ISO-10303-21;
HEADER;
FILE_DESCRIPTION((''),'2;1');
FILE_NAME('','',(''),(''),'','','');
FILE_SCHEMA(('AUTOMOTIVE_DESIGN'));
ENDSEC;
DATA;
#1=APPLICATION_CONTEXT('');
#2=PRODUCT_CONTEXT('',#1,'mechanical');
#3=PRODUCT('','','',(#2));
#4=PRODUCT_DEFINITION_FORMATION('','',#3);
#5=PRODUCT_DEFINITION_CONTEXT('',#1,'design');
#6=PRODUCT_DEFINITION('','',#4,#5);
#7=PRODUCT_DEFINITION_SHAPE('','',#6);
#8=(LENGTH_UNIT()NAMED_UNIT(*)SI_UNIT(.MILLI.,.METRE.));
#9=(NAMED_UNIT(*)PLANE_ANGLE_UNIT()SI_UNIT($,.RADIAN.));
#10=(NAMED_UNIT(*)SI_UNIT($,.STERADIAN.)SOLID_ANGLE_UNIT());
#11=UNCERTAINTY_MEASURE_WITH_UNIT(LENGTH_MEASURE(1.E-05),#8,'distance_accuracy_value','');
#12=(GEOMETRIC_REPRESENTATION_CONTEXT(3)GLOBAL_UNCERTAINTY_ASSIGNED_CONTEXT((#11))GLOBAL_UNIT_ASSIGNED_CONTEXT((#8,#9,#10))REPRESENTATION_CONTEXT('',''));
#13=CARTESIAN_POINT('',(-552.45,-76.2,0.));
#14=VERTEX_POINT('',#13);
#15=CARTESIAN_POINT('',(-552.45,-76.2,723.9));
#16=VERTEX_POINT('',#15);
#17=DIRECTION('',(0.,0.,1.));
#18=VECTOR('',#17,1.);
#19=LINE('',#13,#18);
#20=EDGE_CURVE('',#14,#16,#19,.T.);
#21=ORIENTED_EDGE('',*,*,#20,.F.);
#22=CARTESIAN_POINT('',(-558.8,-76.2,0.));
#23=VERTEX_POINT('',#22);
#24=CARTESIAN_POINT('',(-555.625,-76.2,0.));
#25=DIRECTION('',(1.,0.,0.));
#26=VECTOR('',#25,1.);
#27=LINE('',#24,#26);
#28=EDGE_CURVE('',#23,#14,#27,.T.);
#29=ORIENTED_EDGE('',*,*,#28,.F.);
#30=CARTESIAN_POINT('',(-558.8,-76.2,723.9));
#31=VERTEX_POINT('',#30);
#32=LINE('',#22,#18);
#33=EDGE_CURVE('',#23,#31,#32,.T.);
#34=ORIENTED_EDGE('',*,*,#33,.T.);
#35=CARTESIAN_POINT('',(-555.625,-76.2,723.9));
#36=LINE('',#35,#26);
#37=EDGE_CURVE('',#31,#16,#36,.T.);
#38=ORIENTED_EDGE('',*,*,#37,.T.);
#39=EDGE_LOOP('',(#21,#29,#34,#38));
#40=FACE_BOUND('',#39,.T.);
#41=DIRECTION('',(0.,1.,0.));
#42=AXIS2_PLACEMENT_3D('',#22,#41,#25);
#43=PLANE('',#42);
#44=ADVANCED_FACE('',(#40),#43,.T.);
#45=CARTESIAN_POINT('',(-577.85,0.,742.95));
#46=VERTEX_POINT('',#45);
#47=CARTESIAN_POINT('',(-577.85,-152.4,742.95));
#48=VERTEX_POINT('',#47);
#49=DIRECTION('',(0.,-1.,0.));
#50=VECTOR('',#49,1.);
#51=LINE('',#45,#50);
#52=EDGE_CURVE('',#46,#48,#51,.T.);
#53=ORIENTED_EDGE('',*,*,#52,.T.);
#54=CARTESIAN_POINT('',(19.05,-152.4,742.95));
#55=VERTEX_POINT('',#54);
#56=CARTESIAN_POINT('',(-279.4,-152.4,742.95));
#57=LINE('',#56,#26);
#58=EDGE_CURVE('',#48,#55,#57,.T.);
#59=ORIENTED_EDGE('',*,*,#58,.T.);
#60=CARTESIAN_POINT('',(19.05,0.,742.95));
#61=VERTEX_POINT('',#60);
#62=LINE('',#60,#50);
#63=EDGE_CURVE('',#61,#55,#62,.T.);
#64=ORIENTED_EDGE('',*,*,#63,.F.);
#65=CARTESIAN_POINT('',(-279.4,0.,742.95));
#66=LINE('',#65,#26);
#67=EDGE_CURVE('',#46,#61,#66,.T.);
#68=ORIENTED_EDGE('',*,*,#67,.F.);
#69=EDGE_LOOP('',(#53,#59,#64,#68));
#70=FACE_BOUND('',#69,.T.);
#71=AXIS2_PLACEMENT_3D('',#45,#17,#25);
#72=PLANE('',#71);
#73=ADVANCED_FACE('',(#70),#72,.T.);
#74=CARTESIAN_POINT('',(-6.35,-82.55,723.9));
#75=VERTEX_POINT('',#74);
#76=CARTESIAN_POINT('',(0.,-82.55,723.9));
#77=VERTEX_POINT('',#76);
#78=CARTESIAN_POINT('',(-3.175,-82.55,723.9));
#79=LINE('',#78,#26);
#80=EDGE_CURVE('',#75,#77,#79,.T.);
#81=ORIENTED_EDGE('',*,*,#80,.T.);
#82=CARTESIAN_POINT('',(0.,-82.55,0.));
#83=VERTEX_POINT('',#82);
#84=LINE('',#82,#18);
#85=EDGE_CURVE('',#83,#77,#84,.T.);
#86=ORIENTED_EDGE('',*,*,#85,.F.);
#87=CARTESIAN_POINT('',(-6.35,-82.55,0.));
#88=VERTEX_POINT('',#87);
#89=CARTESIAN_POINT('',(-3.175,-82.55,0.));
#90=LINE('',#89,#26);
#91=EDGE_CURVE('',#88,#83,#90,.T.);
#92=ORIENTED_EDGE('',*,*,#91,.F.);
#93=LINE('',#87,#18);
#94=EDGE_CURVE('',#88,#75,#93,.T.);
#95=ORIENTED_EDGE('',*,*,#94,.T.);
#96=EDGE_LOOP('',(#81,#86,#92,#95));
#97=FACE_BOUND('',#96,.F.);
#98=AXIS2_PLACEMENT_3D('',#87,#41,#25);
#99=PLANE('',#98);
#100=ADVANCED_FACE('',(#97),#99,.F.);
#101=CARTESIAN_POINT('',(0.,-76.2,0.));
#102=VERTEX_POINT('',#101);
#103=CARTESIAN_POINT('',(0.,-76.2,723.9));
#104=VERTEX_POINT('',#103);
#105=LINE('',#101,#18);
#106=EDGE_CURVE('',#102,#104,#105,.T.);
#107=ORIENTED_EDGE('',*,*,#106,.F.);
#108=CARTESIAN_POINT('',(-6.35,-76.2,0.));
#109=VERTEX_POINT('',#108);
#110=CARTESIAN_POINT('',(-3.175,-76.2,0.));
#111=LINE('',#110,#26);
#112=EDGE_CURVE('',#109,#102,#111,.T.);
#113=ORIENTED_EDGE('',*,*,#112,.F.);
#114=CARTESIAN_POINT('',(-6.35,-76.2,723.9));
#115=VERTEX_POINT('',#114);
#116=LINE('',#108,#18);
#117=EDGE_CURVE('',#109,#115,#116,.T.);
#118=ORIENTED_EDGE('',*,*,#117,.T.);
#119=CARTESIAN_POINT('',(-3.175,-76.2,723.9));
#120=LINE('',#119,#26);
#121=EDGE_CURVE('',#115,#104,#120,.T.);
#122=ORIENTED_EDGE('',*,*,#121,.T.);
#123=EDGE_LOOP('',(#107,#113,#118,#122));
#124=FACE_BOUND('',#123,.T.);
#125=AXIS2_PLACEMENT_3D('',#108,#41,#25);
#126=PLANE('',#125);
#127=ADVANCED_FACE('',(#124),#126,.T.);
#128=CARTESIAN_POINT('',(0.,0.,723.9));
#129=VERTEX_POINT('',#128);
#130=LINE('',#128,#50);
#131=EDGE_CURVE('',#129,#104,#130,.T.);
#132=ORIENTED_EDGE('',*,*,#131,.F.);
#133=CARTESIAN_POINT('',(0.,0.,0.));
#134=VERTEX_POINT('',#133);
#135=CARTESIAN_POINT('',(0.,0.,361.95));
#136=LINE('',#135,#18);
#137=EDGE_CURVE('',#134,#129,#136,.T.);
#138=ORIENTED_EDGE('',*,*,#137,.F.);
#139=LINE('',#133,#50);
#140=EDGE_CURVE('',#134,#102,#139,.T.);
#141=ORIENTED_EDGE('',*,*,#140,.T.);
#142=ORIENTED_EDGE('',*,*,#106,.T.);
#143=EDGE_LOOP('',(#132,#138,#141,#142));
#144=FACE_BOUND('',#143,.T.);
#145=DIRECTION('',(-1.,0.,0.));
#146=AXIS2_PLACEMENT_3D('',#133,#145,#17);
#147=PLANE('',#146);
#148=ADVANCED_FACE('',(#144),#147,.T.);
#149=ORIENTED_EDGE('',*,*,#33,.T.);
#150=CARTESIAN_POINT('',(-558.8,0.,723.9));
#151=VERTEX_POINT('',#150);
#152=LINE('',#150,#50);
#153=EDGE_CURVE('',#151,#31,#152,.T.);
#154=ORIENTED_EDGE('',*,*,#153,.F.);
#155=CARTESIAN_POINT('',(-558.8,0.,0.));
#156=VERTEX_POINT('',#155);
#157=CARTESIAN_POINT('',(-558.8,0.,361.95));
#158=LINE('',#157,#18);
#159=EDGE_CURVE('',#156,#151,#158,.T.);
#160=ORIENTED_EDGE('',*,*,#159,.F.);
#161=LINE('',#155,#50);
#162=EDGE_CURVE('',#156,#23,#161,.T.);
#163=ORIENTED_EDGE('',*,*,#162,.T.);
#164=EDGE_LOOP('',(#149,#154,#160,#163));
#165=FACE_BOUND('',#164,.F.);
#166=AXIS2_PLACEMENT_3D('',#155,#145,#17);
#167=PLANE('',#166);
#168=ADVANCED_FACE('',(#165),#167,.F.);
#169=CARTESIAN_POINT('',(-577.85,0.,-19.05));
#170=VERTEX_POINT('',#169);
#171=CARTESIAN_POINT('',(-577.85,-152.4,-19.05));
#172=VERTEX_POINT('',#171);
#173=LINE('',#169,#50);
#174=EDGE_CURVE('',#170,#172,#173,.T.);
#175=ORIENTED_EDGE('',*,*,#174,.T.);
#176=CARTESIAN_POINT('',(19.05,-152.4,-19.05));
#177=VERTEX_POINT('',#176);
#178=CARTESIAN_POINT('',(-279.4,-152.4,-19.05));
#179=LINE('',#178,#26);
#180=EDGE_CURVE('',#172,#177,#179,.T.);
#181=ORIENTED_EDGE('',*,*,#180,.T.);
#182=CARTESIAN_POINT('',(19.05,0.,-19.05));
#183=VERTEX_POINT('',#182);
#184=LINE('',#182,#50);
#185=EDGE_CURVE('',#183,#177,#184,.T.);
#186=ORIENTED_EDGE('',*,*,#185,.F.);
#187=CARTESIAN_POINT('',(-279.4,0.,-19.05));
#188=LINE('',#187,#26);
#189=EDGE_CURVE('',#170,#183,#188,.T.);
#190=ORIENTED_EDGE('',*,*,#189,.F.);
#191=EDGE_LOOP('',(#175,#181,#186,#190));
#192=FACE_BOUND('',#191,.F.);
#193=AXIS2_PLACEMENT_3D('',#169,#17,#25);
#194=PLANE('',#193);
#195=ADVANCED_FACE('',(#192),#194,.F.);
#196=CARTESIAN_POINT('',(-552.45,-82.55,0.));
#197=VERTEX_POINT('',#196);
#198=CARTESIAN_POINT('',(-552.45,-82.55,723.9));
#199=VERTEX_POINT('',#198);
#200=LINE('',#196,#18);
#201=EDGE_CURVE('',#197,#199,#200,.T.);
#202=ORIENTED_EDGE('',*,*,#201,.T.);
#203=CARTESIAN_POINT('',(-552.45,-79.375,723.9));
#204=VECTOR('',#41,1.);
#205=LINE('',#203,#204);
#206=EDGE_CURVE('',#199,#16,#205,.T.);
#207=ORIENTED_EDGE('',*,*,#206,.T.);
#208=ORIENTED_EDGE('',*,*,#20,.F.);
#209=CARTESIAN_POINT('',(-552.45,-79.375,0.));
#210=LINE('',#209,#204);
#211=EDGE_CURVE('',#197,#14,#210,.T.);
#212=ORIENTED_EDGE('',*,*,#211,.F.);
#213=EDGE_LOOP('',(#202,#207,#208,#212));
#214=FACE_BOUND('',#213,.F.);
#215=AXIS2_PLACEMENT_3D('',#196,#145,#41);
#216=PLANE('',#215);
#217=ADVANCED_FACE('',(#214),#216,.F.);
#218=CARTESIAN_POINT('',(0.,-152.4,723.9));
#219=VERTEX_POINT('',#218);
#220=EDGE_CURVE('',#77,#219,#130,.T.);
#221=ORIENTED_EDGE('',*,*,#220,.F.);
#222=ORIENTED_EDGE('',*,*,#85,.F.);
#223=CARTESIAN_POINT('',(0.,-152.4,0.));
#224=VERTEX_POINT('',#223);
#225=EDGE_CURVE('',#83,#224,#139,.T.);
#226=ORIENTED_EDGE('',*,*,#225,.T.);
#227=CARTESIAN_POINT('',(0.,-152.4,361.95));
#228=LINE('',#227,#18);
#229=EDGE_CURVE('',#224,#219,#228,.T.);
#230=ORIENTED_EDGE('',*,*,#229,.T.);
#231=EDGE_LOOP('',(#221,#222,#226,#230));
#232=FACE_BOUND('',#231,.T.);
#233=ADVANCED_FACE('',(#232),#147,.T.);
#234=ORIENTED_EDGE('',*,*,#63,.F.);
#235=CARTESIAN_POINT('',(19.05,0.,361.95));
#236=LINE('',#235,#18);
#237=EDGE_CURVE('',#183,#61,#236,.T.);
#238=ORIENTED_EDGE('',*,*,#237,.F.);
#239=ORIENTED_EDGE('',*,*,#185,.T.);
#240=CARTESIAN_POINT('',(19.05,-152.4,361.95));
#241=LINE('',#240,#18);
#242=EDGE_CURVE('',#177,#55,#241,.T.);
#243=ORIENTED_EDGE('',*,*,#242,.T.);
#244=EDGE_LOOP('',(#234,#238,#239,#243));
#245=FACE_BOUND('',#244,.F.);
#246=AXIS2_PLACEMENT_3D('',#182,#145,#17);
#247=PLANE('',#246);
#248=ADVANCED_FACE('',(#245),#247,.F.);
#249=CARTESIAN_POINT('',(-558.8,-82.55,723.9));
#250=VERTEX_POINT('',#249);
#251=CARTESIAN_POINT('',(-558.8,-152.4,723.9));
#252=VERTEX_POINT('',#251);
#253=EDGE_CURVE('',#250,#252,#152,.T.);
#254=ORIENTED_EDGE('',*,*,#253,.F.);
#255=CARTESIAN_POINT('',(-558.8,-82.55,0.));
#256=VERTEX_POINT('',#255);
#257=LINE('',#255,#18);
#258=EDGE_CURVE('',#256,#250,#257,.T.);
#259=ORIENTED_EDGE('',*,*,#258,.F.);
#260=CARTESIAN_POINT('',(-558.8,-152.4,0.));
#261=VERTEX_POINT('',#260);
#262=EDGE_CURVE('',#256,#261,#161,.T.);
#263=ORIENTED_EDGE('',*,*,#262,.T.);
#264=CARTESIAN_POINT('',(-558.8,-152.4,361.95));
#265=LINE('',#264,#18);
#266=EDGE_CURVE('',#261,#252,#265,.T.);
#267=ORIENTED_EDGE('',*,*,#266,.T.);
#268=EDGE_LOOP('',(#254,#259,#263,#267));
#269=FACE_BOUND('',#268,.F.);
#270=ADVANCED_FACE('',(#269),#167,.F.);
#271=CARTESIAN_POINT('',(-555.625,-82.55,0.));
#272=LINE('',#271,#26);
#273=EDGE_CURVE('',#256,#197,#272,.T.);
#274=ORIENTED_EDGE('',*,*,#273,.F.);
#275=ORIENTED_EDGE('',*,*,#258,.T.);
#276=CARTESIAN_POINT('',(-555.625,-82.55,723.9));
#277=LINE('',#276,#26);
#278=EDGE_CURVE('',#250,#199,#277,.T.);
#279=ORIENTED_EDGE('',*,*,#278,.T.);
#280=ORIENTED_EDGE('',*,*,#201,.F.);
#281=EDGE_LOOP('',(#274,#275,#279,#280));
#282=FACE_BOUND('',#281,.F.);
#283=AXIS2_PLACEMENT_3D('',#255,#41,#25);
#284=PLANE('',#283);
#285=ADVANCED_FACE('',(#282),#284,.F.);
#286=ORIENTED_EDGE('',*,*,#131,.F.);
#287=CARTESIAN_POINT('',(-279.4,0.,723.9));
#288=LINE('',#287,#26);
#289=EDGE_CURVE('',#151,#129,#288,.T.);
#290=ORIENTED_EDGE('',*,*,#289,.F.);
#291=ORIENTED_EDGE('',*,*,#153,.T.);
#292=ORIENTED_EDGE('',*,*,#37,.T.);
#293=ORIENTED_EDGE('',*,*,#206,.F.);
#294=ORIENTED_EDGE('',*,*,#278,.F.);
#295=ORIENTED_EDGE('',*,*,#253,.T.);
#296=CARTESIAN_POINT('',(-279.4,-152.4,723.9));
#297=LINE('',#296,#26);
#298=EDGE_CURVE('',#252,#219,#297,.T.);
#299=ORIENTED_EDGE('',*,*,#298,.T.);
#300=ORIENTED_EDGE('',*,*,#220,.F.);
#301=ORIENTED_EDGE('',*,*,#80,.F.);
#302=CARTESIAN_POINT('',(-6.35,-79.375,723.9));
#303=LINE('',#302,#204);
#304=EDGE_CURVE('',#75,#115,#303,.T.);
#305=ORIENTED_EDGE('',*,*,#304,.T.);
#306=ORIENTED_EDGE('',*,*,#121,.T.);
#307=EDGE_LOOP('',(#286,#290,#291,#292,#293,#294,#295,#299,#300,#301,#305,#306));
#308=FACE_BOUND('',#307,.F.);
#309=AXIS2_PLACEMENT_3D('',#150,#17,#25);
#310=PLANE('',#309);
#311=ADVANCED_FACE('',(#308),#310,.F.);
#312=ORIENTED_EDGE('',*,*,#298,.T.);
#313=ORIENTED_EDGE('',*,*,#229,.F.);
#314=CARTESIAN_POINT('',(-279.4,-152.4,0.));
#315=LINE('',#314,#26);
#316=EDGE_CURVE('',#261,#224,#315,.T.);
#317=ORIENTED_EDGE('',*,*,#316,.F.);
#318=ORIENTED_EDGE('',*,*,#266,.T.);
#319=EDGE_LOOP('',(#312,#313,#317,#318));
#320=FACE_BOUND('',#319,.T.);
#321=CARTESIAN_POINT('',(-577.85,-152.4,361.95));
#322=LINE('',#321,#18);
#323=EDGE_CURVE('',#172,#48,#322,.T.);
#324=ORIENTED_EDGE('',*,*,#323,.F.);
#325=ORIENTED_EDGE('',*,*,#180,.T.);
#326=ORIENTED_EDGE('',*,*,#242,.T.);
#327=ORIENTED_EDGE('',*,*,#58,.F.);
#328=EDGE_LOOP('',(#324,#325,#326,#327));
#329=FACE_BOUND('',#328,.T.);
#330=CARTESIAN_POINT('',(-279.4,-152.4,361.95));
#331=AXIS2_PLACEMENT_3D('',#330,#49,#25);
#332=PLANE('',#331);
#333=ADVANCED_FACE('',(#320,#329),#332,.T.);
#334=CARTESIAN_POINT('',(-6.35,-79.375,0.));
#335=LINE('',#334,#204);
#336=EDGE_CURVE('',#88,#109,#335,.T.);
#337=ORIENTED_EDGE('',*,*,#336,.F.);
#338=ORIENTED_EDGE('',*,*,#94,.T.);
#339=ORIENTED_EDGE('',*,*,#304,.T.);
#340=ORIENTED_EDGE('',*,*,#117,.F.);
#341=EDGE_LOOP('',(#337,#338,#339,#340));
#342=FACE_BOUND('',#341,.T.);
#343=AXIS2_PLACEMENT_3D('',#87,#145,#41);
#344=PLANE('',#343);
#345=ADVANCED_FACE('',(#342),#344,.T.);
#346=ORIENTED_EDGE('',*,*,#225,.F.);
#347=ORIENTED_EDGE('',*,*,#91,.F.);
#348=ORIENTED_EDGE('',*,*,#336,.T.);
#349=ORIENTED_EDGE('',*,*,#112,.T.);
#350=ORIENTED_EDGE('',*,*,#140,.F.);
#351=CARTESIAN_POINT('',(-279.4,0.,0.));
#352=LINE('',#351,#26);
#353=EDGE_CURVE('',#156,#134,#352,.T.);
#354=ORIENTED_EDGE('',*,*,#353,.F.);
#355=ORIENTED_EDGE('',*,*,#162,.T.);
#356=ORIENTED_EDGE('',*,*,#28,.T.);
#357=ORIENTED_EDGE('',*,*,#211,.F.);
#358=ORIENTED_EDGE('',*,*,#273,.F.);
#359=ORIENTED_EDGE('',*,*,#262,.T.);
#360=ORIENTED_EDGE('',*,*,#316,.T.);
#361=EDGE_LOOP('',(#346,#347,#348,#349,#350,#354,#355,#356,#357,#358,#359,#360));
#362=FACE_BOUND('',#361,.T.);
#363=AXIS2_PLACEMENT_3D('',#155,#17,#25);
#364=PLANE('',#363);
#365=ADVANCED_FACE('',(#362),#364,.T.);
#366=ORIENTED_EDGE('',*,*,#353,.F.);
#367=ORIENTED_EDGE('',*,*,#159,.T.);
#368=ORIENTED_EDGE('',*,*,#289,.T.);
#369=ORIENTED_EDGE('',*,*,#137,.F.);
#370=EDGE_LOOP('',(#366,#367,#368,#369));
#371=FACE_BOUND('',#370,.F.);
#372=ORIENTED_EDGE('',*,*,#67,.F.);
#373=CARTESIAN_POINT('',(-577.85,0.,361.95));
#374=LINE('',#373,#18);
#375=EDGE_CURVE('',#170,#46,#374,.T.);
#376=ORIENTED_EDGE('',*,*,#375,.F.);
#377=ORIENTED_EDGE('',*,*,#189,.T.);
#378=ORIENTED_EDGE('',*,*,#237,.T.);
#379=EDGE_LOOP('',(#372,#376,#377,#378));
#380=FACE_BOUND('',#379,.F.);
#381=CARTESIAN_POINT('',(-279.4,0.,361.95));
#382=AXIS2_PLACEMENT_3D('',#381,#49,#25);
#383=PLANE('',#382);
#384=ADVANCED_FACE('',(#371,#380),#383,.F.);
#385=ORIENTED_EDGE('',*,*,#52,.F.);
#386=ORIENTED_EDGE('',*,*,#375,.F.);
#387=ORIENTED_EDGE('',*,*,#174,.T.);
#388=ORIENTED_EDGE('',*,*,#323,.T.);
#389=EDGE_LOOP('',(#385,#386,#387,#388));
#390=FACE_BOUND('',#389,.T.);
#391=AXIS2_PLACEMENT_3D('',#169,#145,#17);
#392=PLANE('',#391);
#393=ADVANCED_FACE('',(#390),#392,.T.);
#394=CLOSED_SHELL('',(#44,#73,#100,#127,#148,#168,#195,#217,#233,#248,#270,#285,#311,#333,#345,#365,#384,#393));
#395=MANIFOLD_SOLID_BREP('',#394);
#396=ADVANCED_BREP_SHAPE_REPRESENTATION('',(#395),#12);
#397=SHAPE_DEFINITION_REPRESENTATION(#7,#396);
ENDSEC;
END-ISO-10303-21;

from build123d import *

# Parameters (mm, degrees)
F0_W     = 596.9
F0_H     = 762
F0_W_2   = 558.8
F0_H_2   = 723.9
F1_DEPTH = 152.4
F2_W     = 6.35
F2_H     = 6.35
F3_DEPTH = 723.9


with BuildPart() as f1:
    # F0 (on Front) → F1 (new body)
    with BuildSketch(Plane.XZ):
        with Locations((-279.4, 361.95)):
            Rectangle(F0_W, F0_H)
        with Locations((-279.4, 361.95)):
            Rectangle(F0_W_2, F0_H_2, mode=Mode.SUBTRACT)
    extrude(amount=F1_DEPTH)

    # F2 (on face) → F3 (join, through all)
    with BuildSketch(Plane.XY):
        with Locations((-555.625, -79.375)):
            Rectangle(F2_W, F2_H)
        with Locations((-3.175, -79.375)):
            Rectangle(F2_W, F2_H)
    extrude(amount=F3_DEPTH)


solid = f1.part
